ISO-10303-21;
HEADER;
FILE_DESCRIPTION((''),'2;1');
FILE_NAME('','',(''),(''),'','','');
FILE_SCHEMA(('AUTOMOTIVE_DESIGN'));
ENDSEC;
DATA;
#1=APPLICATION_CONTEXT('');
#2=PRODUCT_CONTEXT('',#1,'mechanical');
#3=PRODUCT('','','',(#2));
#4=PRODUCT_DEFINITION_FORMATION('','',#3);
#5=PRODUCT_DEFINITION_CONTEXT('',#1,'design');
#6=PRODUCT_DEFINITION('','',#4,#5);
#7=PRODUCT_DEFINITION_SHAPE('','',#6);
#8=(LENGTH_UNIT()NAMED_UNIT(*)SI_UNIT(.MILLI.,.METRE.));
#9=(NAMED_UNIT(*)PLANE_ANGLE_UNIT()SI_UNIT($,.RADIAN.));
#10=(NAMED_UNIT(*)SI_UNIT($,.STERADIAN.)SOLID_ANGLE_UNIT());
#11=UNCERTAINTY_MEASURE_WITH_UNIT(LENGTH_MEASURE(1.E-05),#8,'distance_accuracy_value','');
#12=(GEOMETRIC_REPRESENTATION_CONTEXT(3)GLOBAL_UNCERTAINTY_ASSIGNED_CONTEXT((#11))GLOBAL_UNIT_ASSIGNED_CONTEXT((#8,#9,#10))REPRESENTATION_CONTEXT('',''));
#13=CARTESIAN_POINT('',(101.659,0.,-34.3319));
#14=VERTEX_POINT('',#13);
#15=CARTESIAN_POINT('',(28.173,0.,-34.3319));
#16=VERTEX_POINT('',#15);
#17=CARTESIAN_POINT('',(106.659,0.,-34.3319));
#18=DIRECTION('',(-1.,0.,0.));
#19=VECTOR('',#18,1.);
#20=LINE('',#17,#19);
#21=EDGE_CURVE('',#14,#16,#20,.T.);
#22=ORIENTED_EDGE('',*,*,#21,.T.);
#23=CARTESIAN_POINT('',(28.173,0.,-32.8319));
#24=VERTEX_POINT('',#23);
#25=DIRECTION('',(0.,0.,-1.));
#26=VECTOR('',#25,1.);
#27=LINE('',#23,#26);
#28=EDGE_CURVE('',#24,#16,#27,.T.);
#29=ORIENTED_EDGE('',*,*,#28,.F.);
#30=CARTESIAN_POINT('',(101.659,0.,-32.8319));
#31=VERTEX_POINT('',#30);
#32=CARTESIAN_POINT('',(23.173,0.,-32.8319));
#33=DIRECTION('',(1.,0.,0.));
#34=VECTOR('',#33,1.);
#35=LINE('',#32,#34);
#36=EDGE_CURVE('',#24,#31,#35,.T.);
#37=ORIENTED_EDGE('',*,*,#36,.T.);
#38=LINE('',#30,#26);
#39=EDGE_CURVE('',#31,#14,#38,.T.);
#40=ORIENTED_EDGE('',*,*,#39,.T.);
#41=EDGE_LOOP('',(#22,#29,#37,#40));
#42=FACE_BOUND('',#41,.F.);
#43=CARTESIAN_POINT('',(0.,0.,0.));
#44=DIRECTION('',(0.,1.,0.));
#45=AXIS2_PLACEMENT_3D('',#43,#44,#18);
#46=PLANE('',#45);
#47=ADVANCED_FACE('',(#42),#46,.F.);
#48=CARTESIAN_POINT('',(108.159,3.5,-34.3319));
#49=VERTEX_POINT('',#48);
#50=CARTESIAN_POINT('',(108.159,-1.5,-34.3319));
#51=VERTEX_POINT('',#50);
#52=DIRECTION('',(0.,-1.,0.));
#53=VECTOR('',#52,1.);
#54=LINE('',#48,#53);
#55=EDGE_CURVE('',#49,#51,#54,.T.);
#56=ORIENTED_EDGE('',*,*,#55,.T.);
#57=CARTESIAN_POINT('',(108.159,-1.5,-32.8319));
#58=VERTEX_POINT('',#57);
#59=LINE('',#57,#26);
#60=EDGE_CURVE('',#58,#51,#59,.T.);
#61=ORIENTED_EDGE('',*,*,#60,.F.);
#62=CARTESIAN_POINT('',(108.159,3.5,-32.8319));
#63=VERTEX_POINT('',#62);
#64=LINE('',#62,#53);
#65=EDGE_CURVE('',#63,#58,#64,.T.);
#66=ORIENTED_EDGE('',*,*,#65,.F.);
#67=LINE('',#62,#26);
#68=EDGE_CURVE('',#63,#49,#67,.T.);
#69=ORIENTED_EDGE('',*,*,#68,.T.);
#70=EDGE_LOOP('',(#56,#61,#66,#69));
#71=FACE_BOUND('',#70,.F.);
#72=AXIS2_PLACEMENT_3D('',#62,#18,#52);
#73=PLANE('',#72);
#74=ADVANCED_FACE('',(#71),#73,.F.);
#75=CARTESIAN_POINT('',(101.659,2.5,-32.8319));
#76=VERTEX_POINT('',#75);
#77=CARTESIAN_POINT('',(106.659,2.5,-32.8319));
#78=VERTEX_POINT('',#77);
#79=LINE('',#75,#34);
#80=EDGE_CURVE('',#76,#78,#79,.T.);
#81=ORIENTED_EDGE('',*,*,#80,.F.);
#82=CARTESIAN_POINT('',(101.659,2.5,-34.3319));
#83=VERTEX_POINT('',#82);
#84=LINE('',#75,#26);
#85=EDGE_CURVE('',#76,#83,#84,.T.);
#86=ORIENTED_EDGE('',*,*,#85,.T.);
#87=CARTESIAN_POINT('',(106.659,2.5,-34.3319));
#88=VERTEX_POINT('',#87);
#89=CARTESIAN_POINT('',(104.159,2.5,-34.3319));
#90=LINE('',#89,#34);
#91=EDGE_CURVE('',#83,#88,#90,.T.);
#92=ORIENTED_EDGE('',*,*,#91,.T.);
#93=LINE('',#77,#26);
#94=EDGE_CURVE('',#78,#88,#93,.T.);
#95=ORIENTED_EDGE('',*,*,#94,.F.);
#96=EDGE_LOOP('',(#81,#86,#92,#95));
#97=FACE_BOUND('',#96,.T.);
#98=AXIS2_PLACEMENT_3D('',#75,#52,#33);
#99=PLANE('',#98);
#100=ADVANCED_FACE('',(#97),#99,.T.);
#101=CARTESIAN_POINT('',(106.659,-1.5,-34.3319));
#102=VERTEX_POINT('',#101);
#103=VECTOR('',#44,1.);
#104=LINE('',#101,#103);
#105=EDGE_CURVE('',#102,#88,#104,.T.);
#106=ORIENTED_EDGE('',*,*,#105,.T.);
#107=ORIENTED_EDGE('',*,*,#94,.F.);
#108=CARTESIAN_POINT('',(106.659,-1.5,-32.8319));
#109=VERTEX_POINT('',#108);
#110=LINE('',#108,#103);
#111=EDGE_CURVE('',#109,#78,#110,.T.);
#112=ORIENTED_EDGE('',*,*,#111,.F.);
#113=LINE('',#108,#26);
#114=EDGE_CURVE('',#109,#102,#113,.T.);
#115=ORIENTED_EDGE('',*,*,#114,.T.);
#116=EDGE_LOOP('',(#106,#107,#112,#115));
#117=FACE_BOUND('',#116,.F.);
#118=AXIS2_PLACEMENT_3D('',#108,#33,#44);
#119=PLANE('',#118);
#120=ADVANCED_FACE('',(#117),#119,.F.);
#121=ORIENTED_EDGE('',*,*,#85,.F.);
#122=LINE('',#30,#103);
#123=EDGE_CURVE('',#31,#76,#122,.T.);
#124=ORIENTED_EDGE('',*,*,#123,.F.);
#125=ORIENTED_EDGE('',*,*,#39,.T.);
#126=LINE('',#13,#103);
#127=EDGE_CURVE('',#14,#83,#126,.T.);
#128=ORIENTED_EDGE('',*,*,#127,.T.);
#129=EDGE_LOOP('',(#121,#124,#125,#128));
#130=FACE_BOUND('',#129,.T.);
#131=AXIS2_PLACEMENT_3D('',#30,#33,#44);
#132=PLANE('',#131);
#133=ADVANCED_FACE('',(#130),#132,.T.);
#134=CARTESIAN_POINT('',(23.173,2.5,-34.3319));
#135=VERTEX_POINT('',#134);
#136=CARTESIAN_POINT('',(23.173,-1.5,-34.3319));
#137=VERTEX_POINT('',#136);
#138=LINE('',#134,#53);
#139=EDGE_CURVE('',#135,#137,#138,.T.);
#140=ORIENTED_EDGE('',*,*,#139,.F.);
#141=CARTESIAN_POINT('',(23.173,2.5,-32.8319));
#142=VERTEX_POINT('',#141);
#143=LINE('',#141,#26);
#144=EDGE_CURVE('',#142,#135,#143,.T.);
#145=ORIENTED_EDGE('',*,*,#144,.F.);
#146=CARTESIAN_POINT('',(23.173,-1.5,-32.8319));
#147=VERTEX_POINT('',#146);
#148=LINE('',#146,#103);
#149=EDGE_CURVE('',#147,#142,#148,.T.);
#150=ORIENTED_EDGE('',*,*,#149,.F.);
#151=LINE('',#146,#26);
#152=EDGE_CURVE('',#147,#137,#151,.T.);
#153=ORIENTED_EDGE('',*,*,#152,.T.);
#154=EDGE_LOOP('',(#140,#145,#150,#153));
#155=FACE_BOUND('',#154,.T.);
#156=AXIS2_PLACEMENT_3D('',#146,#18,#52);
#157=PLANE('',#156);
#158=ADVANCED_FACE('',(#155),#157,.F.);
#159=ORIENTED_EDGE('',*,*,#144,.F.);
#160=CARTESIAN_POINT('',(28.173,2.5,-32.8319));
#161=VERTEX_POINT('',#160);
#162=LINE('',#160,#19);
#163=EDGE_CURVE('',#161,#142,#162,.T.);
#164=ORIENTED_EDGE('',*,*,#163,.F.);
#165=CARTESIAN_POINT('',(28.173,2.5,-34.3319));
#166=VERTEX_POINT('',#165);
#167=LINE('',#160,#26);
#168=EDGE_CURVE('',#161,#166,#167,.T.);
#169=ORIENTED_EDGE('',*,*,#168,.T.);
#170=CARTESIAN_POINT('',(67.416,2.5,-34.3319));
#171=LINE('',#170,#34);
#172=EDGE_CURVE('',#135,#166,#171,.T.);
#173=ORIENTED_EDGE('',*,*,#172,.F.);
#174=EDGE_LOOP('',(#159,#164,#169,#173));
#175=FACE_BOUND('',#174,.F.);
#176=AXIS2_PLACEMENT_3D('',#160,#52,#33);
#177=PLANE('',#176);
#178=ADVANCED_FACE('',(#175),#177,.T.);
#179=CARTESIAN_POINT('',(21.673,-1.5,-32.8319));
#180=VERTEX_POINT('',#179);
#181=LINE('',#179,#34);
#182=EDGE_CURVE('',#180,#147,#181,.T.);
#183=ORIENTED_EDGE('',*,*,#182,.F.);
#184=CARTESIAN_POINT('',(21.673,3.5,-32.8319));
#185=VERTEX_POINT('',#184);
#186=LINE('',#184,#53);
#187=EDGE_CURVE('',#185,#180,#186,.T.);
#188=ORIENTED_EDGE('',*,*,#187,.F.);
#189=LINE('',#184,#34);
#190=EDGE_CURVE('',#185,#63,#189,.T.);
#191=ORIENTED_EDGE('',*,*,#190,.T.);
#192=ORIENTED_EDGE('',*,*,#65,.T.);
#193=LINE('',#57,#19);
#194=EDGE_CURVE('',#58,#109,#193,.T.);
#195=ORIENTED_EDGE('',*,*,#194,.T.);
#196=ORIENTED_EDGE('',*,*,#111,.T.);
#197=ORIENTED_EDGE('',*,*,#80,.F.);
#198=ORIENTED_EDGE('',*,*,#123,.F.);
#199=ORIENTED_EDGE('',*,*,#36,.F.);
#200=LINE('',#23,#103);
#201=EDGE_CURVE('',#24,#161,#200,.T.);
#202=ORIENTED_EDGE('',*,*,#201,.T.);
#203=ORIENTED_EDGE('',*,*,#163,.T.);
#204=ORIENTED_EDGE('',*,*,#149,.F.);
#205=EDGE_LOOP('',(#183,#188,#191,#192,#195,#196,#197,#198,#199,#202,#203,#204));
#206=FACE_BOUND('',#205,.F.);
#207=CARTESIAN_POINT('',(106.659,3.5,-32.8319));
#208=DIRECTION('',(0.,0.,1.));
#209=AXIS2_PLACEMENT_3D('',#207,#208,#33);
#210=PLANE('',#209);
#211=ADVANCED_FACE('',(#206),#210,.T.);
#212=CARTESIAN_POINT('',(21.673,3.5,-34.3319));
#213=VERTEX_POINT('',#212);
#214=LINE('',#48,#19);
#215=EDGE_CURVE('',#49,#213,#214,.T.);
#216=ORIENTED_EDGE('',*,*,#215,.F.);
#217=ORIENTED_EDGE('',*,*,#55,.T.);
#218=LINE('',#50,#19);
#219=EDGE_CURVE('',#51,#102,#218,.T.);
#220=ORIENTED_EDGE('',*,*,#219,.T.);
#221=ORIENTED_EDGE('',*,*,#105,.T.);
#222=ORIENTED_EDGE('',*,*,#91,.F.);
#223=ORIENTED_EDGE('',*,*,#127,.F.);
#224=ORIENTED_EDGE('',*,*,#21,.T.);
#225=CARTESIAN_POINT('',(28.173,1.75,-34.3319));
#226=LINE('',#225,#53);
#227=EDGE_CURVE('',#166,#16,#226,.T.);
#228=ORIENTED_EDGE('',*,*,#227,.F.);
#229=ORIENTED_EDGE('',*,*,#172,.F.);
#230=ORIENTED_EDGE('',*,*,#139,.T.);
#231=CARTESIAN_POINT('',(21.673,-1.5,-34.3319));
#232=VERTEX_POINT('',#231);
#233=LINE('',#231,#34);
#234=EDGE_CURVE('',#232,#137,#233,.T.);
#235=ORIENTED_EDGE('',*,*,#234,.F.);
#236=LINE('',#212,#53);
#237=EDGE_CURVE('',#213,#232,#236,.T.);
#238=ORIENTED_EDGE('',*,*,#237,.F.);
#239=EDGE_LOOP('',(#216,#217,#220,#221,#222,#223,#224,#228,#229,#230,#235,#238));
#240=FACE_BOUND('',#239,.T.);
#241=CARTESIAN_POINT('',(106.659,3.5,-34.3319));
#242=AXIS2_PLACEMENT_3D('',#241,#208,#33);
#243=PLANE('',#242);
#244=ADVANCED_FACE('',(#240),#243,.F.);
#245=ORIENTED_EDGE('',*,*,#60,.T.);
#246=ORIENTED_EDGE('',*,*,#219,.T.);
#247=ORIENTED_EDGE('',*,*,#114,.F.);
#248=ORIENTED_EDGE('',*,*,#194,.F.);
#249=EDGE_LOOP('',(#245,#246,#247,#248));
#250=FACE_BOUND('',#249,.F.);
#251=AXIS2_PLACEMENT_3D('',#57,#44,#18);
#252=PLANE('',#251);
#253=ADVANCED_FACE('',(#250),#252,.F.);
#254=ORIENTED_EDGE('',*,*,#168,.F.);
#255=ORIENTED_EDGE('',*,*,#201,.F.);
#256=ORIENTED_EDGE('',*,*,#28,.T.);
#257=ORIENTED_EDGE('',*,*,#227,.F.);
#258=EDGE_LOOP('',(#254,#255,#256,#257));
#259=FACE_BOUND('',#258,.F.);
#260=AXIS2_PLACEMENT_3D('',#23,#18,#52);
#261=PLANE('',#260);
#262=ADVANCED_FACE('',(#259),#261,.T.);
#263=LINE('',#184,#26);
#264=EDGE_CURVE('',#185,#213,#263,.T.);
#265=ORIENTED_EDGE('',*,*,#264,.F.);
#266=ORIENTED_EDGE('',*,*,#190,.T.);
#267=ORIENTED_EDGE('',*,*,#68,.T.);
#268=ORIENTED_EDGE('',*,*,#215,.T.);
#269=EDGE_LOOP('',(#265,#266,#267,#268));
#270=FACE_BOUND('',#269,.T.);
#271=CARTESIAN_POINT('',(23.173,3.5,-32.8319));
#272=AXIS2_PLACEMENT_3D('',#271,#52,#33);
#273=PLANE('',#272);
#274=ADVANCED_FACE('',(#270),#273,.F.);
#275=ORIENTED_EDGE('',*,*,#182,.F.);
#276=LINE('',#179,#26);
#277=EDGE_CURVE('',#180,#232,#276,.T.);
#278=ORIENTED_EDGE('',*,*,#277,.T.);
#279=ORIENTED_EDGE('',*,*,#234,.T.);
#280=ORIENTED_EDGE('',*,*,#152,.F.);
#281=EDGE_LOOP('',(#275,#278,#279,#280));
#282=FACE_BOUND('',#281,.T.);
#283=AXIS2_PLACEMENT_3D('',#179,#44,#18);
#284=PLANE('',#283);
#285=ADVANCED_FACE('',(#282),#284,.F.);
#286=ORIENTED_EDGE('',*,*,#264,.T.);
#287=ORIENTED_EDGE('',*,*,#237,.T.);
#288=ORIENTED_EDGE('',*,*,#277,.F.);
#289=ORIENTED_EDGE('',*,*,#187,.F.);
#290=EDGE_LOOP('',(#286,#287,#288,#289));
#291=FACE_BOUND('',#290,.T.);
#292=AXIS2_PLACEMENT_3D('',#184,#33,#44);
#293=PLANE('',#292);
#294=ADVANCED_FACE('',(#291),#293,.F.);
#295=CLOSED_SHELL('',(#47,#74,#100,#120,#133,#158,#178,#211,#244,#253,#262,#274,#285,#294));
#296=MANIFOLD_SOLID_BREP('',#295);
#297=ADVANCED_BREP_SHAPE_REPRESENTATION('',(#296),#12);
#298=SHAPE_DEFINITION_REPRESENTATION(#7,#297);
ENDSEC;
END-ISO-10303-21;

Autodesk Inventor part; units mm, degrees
ref_plane "YZ Plane" through (0, 0, 0) normal (1, 0, 0) x (0, 1, 0)
ref_plane "XZ Plane" through (0, 0, 0) normal (0, 1, 0) x (-1, 0, 0)
ref_plane "XY Plane" through (0, 0, 0) normal (0, 0, 1) x (1, 0, 0)
sketch "Sketch1" plane through (0, 0, 0) normal (0, 1, 0) x (-1, 0, 0)
  line L0 (-23.173, -32.8319) -> (-106.659, -32.8319)
  line L1 (-106.659, -32.8319) -> (-106.659, -34.3319)
  line L2 (-106.659, -34.3319) -> (-23.173, -34.3319)
  line L3 (-23.173, -34.3319) -> (-23.173, -32.8319)
  point P0 (0, 0)
  dimension "d0" = 83.486
  dimension "d1" = 1.5
extrude "Extrusion1" add sketch "Sketch1" along normal blind 3.5
ref_plane "Work Plane1" through (64.916, 0, -32.8319) normal (1, 0, 0) x (0, 0, -1)
sketch "Sketch2" plane through (23.173, 0, -32.8319) normal (0, 0, 1) x (1, 0, 0)
  line L0 (83.486, 0) -> (78.486, 0)
  line L1 (78.486, 0) -> (78.486, 2.5)
  line L2 (78.486, 2.5) -> (83.486, 2.5)
  line L3 (83.486, 2.5) -> (83.486, 0)
  point P0 (-23.173, 0)
  dimension "d4" = 2.5
  dimension "d5" = 5
extrude "Extrusion2" cut sketch "Sketch2" against normal blind 3.5
sketch "Sketch3" plane through (23.173, 3.5, -32.8319) normal (0, 0, 1) x (1, 0, 0)
  line L0 (0, 0) -> (83.486, 0) projected
  line L1 (83.486, 0) -> (84.986, 0)
  line L2 (84.986, 0) -> (84.986, -5)
  line L3 (84.986, -5) -> (83.486, -5)
  line L4 (83.486, -5) -> (83.486, 0)
  point P0 (-23.173, -3.5)
  dimension "d8" = 1.5
  dimension "d11" = 5
extrude "Extrusion3" add sketch "Sketch3" against normal up to surface (1.5 mm away)
mirror "Mirror1" about plane through (64.916, 0, -32.8319) normal (1, 0, 0) of "Extrusion3", "Extrusion2"
properties part number "Bar"
